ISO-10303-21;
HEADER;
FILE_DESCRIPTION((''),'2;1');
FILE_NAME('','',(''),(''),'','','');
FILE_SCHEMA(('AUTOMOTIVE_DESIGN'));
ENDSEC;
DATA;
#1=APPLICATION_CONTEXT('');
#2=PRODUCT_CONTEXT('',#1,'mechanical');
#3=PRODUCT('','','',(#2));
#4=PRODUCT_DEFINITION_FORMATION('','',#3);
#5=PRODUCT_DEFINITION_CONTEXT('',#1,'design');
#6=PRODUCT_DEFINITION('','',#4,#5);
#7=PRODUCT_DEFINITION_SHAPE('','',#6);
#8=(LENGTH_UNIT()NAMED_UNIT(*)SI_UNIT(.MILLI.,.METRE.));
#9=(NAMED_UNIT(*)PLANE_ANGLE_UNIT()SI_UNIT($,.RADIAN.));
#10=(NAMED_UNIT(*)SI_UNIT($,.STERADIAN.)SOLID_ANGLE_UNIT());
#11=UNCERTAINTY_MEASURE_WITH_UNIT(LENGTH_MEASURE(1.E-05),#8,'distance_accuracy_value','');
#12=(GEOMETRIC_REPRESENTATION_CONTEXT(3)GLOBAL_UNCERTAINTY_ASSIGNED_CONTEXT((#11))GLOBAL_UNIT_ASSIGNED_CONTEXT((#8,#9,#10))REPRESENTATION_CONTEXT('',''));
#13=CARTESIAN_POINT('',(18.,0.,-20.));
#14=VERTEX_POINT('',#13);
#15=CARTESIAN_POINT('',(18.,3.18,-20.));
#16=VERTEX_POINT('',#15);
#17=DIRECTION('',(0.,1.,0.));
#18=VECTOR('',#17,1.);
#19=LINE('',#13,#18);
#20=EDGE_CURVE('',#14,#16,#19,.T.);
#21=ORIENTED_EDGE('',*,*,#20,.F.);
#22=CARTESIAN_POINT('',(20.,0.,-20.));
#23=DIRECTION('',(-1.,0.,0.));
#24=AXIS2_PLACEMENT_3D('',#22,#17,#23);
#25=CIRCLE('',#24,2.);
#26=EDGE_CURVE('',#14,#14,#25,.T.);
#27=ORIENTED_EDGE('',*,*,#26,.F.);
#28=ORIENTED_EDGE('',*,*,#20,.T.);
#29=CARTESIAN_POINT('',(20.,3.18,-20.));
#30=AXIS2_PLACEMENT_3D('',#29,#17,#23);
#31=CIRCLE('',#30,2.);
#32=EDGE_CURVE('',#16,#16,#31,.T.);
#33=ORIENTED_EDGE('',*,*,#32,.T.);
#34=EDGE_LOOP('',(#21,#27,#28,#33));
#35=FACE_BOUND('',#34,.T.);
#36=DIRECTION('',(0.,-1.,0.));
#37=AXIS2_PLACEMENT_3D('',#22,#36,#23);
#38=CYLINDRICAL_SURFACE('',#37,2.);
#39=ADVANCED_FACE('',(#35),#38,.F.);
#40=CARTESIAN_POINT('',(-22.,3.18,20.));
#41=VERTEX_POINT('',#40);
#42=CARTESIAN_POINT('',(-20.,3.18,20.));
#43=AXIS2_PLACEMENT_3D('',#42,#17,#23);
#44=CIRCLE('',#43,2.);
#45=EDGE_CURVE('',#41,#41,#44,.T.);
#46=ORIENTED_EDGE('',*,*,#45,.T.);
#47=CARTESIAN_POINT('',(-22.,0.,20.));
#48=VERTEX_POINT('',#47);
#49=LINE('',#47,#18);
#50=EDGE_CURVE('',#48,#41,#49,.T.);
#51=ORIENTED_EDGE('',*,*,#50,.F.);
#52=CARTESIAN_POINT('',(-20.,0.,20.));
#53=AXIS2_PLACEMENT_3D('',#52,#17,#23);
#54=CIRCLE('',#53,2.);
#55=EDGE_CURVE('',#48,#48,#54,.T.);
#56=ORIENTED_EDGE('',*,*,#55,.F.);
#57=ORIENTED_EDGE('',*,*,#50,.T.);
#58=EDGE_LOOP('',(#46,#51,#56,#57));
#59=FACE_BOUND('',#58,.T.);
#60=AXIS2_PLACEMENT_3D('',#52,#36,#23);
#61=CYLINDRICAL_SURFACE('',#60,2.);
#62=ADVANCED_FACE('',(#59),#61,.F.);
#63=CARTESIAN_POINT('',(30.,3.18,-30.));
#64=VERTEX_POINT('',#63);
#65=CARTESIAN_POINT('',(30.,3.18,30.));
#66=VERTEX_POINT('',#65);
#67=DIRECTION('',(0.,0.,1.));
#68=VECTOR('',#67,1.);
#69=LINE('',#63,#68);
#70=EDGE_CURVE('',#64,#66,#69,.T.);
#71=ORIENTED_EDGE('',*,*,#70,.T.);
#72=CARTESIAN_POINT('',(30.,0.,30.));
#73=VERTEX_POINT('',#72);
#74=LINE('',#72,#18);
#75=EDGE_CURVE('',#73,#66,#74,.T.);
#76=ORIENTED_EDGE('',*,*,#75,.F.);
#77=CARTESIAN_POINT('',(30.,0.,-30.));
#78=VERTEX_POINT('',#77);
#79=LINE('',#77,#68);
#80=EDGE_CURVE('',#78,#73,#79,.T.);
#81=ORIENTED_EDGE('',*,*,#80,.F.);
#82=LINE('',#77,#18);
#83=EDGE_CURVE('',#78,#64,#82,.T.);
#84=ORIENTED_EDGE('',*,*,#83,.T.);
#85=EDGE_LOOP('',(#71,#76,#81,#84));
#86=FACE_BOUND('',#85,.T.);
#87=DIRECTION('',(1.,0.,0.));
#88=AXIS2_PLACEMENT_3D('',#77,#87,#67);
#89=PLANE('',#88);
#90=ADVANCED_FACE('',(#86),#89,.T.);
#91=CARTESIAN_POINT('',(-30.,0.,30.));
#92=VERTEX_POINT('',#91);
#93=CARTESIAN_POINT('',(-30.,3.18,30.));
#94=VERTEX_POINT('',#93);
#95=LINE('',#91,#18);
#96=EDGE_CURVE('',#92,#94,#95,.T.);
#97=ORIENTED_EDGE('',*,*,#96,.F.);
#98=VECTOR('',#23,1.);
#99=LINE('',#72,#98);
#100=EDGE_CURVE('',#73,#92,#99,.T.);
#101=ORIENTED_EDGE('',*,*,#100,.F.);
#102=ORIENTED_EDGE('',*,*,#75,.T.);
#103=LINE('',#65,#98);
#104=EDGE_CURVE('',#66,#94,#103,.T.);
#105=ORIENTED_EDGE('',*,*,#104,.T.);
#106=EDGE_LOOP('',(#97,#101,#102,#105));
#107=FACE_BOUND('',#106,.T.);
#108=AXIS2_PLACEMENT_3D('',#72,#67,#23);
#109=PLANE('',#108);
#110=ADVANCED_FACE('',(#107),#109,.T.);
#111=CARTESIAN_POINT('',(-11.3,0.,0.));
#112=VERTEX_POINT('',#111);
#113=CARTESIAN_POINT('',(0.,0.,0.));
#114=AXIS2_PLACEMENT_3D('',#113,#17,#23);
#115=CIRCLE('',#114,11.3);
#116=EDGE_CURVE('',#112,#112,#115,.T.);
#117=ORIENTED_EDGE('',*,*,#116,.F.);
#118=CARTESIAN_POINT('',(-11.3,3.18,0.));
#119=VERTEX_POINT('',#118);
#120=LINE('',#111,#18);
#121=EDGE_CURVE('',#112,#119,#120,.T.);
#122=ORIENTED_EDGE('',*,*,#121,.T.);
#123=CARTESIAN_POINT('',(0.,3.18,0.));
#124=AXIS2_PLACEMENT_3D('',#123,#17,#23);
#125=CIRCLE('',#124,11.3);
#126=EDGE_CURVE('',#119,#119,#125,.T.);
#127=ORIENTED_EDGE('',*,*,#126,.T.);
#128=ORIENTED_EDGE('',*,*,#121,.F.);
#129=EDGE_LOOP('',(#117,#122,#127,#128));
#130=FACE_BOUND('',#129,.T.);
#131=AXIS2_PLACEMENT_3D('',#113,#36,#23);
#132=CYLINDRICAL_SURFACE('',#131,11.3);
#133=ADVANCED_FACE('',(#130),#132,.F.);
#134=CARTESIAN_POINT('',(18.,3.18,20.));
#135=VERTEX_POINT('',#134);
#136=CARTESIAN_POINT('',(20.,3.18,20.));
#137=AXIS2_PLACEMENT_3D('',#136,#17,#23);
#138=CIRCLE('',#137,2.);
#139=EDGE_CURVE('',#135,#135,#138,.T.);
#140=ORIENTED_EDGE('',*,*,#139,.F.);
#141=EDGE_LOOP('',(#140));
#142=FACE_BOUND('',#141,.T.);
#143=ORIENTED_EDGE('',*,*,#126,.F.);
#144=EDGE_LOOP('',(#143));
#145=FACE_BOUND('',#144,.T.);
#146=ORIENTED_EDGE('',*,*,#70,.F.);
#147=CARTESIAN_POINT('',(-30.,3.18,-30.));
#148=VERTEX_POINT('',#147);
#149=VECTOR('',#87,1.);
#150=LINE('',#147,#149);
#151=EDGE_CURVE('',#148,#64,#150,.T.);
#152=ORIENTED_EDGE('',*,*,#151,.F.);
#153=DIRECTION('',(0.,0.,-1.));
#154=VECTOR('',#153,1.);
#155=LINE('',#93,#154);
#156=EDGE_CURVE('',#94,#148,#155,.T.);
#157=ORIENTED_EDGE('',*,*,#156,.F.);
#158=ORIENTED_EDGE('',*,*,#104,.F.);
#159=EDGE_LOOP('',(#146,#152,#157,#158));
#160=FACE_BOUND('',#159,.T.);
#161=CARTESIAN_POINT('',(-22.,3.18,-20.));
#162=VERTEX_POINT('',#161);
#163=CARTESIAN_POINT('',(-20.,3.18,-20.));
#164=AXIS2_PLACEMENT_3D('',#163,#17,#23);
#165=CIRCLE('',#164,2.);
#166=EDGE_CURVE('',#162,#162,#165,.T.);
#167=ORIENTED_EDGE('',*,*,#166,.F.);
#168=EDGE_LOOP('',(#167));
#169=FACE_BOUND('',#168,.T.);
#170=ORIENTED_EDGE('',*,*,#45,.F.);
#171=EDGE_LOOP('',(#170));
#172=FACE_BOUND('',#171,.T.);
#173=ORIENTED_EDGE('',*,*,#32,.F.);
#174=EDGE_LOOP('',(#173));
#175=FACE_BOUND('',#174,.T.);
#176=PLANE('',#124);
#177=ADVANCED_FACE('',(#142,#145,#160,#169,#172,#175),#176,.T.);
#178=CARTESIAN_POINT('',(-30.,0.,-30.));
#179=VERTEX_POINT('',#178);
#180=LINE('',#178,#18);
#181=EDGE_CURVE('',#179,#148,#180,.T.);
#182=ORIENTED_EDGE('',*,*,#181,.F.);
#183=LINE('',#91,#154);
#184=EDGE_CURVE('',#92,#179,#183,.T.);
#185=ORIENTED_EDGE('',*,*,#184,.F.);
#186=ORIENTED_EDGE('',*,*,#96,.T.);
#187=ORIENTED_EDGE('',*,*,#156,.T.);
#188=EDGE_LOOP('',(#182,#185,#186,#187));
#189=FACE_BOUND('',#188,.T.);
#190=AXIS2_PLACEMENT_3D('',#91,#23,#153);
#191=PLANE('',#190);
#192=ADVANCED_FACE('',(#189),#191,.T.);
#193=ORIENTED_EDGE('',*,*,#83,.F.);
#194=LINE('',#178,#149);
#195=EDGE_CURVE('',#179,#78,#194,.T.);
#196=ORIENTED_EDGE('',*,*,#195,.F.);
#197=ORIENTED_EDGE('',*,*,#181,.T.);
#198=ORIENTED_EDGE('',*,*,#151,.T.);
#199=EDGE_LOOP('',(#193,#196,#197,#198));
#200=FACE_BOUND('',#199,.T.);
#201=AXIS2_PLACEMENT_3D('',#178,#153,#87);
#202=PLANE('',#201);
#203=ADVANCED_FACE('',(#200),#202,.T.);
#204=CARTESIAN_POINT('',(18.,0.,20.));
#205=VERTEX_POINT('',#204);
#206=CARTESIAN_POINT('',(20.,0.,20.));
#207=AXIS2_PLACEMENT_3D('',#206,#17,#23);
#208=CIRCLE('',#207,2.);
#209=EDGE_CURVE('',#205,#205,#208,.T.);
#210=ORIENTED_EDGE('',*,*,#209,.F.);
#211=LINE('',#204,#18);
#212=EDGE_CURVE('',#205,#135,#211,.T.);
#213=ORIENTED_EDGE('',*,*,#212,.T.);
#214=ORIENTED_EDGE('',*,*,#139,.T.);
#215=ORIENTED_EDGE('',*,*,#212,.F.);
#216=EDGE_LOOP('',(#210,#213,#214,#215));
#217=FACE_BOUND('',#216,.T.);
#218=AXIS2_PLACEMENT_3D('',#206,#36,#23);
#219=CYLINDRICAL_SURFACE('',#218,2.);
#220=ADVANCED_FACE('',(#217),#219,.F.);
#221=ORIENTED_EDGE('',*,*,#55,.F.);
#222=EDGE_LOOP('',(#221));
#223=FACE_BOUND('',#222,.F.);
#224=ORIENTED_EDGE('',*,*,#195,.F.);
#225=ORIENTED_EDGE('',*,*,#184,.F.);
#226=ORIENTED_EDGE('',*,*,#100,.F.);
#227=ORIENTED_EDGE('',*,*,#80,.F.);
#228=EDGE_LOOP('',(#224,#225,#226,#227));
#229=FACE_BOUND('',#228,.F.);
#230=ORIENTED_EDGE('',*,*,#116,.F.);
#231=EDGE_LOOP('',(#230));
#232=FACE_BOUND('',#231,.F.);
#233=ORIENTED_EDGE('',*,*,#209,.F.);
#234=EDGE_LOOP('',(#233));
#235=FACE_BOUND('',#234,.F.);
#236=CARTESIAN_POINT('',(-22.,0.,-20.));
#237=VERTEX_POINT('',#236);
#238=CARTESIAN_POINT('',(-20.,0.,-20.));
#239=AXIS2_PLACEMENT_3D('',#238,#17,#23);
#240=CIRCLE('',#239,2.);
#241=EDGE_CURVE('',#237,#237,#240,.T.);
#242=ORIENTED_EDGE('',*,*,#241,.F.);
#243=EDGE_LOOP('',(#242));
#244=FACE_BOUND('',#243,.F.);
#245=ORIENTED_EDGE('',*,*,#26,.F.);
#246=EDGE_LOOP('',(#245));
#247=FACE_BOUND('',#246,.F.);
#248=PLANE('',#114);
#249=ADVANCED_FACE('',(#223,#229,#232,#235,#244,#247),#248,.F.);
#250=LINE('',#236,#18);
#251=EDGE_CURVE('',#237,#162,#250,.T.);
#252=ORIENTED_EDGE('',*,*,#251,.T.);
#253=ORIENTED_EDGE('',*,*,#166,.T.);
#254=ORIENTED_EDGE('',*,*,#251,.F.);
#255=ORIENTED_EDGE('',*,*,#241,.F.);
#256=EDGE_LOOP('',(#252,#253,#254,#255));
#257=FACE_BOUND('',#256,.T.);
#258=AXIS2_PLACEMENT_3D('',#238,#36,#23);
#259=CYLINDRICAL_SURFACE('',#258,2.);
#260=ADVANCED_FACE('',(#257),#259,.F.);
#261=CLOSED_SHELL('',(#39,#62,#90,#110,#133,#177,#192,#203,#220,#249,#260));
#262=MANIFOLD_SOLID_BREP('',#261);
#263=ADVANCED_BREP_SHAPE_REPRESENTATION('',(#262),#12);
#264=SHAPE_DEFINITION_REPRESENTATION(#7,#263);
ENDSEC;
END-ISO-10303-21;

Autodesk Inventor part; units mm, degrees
ref_plane "YZ Plane" through (0, 0, 0) normal (1, 0, 0) x (0, 1, 0)
ref_plane "XZ Plane" through (0, 0, 0) normal (0, 1, 0) x (-1, 0, 0)
ref_plane "XY Plane" through (0, 0, 0) normal (0, 0, 1) x (1, 0, 0)
sketch "Boceto1" plane through (0, 0, 0) normal (0, 1, 0) x (-1, 0, 0)
  circle A0 centre (0, 0) radius 11.3
  line L0 (-30, 30) -> (30, 30)
  line L1 (30, 30) -> (30, -30)
  line L2 (30, -30) -> (-30, -30)
  line L3 (-30, -30) -> (-30, 30)
  line L4 (-30, 30) -> (30, -30) construction
  line L5 (30, 30) -> (-30, -30) construction
  circle A1 centre (20, 20) radius 2
  circle A2 centre (20, -20) radius 2
  circle A3 centre (-20, -20) radius 2
  circle A4 centre (-20, 20) radius 2
  dimension "d0" = 22.6
  dimension "d1" = 60
  dimension "d2" = 60
  dimension "d3" = 4
  dimension "d4" = 4
  dimension "d5" = 4
  dimension "d6" = 4
  dimension "d8" = 20
  dimension "d9" = 20
  dimension "d10" = 40
  dimension "d11" = 40
  dimension "d12" = 20
  dimension "d13" = 40
  dimension "d14" = 20
  dimension "d17" = 20
extrude "Extrusión1" add sketch "Boceto1" along normal blind 3.18
properties part number "BASE_SOST.INFERIOR"
